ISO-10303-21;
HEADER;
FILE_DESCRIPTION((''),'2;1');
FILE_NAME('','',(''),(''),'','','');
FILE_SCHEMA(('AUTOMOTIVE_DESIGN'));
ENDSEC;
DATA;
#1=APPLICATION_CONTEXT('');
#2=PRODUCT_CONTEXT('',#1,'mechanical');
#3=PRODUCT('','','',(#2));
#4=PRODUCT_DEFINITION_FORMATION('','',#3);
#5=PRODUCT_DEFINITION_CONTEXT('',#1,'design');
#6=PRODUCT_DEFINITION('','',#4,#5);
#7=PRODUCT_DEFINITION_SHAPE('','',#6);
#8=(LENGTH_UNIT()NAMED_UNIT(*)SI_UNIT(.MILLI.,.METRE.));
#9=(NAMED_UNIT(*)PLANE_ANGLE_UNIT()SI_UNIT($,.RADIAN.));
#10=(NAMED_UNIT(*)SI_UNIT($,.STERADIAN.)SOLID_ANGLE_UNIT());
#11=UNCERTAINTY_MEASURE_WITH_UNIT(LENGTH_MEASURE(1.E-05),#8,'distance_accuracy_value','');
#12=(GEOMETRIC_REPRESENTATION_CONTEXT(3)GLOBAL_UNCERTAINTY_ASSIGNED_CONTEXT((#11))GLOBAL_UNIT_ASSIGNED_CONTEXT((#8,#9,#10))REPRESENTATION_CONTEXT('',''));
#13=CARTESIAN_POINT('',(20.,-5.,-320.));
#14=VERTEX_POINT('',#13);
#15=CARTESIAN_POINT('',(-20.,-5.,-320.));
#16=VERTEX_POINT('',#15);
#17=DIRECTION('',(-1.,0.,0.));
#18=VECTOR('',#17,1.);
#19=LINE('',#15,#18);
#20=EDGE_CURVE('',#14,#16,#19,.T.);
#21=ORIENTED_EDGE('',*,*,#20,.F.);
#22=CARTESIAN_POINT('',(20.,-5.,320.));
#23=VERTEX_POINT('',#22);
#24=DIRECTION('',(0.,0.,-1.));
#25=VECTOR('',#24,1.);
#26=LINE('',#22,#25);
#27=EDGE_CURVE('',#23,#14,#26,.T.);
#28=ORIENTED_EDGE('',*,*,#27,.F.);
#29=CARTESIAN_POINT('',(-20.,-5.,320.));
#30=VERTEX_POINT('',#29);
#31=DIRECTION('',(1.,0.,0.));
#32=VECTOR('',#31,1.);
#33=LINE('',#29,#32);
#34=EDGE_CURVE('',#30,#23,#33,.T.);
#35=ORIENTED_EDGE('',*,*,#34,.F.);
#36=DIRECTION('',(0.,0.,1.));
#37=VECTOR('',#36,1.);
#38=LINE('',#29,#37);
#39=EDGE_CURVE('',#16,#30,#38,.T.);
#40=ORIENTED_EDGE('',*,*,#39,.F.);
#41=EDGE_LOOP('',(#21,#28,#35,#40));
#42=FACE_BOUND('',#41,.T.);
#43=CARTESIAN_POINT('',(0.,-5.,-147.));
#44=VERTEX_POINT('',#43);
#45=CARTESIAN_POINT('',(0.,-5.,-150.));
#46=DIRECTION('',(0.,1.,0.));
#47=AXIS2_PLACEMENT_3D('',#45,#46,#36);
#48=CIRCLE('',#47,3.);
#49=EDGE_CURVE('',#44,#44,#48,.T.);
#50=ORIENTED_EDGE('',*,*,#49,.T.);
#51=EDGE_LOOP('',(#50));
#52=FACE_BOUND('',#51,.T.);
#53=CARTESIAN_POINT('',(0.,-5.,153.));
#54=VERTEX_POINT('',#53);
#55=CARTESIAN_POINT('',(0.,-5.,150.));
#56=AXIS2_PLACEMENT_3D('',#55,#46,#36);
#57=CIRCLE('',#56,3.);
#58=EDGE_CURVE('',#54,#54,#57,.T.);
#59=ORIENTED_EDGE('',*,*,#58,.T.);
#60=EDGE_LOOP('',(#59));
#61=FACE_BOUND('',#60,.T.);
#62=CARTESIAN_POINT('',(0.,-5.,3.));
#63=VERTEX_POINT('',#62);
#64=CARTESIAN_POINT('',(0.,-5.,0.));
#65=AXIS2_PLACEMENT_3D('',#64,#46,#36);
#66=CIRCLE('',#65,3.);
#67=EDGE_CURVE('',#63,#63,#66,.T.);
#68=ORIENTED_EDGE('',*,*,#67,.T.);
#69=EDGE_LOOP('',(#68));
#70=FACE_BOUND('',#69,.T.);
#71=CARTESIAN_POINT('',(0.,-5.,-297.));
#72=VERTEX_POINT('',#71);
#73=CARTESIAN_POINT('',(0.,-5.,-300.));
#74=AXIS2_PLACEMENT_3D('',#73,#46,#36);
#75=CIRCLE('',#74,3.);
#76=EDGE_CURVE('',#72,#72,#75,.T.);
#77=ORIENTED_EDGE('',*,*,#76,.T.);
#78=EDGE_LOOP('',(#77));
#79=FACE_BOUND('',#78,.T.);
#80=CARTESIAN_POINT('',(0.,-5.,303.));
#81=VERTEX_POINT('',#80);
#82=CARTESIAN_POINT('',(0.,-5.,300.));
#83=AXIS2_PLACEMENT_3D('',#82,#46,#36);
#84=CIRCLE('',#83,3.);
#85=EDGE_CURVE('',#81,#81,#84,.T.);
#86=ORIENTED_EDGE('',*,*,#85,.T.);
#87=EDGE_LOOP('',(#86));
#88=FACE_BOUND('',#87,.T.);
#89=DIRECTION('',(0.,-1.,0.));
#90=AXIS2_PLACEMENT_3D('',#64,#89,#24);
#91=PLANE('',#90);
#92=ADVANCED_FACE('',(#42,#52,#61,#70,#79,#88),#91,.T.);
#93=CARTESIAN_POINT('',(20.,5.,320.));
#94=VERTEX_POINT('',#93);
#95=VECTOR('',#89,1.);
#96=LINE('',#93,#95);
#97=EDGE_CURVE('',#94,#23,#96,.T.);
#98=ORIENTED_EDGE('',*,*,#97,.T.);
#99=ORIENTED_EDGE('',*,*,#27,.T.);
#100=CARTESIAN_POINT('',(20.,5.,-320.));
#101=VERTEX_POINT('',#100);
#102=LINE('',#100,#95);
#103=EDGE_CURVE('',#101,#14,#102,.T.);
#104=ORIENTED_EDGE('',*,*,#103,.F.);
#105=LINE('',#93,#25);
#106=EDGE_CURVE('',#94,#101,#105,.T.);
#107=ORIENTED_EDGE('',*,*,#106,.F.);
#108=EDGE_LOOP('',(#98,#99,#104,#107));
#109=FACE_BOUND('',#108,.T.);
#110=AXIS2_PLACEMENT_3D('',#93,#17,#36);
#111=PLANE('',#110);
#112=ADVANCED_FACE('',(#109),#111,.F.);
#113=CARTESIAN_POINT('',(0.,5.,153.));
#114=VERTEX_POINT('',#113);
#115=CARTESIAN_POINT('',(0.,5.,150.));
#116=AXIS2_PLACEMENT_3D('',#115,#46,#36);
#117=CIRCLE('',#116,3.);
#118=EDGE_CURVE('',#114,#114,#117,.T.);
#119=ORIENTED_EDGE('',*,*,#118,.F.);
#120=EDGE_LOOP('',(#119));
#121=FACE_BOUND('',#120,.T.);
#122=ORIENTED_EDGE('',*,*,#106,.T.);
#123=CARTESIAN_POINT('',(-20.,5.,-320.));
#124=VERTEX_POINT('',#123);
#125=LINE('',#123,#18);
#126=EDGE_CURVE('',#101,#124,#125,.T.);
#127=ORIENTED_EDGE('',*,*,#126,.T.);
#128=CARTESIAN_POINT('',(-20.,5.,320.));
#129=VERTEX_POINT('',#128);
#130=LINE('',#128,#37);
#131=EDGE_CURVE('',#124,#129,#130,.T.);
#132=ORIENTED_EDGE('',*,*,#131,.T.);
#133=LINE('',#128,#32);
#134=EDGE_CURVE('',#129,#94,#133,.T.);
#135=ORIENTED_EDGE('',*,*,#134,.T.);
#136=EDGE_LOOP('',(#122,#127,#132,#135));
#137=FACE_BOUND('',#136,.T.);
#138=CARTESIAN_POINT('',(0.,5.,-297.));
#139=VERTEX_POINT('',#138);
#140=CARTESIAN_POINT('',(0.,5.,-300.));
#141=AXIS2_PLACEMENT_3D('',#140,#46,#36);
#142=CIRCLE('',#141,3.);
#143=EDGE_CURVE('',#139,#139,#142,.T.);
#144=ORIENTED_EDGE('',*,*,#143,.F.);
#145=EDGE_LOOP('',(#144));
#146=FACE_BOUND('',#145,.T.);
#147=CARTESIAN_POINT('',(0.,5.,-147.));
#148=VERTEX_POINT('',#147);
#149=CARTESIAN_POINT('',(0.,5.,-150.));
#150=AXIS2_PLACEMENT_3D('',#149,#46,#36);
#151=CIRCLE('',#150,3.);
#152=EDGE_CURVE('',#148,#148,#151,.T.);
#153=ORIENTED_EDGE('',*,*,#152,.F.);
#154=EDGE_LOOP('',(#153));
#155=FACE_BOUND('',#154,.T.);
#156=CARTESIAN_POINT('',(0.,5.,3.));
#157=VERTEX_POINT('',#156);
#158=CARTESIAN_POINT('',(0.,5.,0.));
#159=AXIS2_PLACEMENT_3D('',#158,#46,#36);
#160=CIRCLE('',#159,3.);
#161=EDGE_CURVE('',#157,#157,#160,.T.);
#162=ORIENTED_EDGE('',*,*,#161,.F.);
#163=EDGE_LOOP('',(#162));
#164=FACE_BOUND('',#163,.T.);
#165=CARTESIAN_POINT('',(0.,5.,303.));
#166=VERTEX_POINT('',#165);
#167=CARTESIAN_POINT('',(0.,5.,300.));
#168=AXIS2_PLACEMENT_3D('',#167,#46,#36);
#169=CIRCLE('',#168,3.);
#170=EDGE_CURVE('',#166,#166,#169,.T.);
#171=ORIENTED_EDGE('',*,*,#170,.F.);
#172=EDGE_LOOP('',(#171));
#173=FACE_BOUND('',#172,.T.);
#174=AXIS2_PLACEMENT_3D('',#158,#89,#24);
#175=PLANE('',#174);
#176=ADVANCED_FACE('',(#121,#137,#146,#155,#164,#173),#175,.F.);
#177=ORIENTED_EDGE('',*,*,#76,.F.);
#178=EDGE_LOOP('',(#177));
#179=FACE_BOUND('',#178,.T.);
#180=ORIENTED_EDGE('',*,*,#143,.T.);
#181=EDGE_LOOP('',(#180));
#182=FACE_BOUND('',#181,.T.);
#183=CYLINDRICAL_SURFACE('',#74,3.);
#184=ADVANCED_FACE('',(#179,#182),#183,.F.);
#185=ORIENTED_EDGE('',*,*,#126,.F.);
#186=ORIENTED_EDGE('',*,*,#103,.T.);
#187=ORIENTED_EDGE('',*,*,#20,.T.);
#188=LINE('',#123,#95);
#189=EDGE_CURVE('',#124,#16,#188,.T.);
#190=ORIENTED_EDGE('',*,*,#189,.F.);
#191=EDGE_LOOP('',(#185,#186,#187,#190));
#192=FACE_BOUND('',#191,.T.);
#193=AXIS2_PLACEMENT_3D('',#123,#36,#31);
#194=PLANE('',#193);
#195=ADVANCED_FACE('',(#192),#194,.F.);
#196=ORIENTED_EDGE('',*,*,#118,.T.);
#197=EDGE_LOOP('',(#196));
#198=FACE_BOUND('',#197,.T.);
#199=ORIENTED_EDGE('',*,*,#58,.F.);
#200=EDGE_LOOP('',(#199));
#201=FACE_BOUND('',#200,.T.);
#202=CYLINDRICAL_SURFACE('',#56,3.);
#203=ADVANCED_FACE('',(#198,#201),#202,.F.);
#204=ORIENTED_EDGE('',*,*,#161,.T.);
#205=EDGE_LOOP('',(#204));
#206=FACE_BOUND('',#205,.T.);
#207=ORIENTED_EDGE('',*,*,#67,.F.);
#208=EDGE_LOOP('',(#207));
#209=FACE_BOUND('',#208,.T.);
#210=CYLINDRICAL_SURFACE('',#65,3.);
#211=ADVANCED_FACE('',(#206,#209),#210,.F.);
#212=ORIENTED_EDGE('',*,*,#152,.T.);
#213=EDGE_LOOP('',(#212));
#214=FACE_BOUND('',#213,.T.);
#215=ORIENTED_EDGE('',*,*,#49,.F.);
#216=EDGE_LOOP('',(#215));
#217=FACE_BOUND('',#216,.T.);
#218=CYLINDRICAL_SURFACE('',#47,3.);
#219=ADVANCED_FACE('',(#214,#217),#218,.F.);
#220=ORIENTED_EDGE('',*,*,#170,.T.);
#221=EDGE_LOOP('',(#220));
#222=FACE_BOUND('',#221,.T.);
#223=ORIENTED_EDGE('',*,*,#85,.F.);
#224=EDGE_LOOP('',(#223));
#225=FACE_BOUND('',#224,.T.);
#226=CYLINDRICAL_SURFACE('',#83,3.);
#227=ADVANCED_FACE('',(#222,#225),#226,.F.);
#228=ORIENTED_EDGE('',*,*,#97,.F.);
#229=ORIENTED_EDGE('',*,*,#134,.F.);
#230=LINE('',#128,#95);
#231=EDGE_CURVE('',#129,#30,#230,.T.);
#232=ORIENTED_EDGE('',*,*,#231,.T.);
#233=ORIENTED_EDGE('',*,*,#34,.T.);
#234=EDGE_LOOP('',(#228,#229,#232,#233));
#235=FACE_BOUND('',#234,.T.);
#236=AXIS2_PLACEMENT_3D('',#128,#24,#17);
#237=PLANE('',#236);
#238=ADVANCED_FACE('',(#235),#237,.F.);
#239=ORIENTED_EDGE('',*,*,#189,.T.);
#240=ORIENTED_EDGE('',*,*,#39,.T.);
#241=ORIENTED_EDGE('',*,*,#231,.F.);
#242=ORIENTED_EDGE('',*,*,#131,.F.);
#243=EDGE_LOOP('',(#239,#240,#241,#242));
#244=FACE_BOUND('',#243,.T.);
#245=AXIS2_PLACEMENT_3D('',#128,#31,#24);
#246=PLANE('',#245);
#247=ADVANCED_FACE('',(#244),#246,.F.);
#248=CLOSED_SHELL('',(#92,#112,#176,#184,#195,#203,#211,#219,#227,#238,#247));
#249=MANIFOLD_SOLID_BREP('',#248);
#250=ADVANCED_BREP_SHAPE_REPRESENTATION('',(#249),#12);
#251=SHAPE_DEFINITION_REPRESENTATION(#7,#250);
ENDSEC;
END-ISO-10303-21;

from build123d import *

# Parameters (mm, degrees)
SKETCH_1_W             = 40
SKETCH_1_H             = 640
EXTRUDE_1_DEPTH        = 5
SKETCH_2_R             = 3
CUT_EXTRUDE_1_DEPTH    = 321.780298647
PATTERN_LINEAR_1_COUNT = 5
PATTERN_LINEAR_1_PITCH = 150


with BuildPart() as part:
    # Эскиз1 → Бобышка-Вытянуть1 (new, symmetric)
    with BuildSketch(Plane(origin=(0, 0, 0), x_dir=(1, 0, 0), z_dir=(0, 1, 0))):
        Rectangle(SKETCH_1_W, SKETCH_1_H)
    extrude(amount=EXTRUDE_1_DEPTH, both=True)

    # Эскиз2 → Вырез-Вытянуть1 (cut, through all)
    with BuildSketch(Plane(origin=(0, 5, 0), x_dir=(1, 0, 0), z_dir=(0, 1, 0))):
        with Locations(Location((0, -300, 0), (0, 0, 270))):
            Circle(SKETCH_2_R)
    cut_extrude_1 = extrude(amount=-CUT_EXTRUDE_1_DEPTH, mode=Mode.SUBTRACT)

    # Линейный массив1: Вырез-Вытянуть1 ×5
    with Locations(*[(0, 0, -i * PATTERN_LINEAR_1_PITCH) for i in range(1, PATTERN_LINEAR_1_COUNT)]):
        add(cut_extrude_1, mode=Mode.SUBTRACT)


solid = part.part
